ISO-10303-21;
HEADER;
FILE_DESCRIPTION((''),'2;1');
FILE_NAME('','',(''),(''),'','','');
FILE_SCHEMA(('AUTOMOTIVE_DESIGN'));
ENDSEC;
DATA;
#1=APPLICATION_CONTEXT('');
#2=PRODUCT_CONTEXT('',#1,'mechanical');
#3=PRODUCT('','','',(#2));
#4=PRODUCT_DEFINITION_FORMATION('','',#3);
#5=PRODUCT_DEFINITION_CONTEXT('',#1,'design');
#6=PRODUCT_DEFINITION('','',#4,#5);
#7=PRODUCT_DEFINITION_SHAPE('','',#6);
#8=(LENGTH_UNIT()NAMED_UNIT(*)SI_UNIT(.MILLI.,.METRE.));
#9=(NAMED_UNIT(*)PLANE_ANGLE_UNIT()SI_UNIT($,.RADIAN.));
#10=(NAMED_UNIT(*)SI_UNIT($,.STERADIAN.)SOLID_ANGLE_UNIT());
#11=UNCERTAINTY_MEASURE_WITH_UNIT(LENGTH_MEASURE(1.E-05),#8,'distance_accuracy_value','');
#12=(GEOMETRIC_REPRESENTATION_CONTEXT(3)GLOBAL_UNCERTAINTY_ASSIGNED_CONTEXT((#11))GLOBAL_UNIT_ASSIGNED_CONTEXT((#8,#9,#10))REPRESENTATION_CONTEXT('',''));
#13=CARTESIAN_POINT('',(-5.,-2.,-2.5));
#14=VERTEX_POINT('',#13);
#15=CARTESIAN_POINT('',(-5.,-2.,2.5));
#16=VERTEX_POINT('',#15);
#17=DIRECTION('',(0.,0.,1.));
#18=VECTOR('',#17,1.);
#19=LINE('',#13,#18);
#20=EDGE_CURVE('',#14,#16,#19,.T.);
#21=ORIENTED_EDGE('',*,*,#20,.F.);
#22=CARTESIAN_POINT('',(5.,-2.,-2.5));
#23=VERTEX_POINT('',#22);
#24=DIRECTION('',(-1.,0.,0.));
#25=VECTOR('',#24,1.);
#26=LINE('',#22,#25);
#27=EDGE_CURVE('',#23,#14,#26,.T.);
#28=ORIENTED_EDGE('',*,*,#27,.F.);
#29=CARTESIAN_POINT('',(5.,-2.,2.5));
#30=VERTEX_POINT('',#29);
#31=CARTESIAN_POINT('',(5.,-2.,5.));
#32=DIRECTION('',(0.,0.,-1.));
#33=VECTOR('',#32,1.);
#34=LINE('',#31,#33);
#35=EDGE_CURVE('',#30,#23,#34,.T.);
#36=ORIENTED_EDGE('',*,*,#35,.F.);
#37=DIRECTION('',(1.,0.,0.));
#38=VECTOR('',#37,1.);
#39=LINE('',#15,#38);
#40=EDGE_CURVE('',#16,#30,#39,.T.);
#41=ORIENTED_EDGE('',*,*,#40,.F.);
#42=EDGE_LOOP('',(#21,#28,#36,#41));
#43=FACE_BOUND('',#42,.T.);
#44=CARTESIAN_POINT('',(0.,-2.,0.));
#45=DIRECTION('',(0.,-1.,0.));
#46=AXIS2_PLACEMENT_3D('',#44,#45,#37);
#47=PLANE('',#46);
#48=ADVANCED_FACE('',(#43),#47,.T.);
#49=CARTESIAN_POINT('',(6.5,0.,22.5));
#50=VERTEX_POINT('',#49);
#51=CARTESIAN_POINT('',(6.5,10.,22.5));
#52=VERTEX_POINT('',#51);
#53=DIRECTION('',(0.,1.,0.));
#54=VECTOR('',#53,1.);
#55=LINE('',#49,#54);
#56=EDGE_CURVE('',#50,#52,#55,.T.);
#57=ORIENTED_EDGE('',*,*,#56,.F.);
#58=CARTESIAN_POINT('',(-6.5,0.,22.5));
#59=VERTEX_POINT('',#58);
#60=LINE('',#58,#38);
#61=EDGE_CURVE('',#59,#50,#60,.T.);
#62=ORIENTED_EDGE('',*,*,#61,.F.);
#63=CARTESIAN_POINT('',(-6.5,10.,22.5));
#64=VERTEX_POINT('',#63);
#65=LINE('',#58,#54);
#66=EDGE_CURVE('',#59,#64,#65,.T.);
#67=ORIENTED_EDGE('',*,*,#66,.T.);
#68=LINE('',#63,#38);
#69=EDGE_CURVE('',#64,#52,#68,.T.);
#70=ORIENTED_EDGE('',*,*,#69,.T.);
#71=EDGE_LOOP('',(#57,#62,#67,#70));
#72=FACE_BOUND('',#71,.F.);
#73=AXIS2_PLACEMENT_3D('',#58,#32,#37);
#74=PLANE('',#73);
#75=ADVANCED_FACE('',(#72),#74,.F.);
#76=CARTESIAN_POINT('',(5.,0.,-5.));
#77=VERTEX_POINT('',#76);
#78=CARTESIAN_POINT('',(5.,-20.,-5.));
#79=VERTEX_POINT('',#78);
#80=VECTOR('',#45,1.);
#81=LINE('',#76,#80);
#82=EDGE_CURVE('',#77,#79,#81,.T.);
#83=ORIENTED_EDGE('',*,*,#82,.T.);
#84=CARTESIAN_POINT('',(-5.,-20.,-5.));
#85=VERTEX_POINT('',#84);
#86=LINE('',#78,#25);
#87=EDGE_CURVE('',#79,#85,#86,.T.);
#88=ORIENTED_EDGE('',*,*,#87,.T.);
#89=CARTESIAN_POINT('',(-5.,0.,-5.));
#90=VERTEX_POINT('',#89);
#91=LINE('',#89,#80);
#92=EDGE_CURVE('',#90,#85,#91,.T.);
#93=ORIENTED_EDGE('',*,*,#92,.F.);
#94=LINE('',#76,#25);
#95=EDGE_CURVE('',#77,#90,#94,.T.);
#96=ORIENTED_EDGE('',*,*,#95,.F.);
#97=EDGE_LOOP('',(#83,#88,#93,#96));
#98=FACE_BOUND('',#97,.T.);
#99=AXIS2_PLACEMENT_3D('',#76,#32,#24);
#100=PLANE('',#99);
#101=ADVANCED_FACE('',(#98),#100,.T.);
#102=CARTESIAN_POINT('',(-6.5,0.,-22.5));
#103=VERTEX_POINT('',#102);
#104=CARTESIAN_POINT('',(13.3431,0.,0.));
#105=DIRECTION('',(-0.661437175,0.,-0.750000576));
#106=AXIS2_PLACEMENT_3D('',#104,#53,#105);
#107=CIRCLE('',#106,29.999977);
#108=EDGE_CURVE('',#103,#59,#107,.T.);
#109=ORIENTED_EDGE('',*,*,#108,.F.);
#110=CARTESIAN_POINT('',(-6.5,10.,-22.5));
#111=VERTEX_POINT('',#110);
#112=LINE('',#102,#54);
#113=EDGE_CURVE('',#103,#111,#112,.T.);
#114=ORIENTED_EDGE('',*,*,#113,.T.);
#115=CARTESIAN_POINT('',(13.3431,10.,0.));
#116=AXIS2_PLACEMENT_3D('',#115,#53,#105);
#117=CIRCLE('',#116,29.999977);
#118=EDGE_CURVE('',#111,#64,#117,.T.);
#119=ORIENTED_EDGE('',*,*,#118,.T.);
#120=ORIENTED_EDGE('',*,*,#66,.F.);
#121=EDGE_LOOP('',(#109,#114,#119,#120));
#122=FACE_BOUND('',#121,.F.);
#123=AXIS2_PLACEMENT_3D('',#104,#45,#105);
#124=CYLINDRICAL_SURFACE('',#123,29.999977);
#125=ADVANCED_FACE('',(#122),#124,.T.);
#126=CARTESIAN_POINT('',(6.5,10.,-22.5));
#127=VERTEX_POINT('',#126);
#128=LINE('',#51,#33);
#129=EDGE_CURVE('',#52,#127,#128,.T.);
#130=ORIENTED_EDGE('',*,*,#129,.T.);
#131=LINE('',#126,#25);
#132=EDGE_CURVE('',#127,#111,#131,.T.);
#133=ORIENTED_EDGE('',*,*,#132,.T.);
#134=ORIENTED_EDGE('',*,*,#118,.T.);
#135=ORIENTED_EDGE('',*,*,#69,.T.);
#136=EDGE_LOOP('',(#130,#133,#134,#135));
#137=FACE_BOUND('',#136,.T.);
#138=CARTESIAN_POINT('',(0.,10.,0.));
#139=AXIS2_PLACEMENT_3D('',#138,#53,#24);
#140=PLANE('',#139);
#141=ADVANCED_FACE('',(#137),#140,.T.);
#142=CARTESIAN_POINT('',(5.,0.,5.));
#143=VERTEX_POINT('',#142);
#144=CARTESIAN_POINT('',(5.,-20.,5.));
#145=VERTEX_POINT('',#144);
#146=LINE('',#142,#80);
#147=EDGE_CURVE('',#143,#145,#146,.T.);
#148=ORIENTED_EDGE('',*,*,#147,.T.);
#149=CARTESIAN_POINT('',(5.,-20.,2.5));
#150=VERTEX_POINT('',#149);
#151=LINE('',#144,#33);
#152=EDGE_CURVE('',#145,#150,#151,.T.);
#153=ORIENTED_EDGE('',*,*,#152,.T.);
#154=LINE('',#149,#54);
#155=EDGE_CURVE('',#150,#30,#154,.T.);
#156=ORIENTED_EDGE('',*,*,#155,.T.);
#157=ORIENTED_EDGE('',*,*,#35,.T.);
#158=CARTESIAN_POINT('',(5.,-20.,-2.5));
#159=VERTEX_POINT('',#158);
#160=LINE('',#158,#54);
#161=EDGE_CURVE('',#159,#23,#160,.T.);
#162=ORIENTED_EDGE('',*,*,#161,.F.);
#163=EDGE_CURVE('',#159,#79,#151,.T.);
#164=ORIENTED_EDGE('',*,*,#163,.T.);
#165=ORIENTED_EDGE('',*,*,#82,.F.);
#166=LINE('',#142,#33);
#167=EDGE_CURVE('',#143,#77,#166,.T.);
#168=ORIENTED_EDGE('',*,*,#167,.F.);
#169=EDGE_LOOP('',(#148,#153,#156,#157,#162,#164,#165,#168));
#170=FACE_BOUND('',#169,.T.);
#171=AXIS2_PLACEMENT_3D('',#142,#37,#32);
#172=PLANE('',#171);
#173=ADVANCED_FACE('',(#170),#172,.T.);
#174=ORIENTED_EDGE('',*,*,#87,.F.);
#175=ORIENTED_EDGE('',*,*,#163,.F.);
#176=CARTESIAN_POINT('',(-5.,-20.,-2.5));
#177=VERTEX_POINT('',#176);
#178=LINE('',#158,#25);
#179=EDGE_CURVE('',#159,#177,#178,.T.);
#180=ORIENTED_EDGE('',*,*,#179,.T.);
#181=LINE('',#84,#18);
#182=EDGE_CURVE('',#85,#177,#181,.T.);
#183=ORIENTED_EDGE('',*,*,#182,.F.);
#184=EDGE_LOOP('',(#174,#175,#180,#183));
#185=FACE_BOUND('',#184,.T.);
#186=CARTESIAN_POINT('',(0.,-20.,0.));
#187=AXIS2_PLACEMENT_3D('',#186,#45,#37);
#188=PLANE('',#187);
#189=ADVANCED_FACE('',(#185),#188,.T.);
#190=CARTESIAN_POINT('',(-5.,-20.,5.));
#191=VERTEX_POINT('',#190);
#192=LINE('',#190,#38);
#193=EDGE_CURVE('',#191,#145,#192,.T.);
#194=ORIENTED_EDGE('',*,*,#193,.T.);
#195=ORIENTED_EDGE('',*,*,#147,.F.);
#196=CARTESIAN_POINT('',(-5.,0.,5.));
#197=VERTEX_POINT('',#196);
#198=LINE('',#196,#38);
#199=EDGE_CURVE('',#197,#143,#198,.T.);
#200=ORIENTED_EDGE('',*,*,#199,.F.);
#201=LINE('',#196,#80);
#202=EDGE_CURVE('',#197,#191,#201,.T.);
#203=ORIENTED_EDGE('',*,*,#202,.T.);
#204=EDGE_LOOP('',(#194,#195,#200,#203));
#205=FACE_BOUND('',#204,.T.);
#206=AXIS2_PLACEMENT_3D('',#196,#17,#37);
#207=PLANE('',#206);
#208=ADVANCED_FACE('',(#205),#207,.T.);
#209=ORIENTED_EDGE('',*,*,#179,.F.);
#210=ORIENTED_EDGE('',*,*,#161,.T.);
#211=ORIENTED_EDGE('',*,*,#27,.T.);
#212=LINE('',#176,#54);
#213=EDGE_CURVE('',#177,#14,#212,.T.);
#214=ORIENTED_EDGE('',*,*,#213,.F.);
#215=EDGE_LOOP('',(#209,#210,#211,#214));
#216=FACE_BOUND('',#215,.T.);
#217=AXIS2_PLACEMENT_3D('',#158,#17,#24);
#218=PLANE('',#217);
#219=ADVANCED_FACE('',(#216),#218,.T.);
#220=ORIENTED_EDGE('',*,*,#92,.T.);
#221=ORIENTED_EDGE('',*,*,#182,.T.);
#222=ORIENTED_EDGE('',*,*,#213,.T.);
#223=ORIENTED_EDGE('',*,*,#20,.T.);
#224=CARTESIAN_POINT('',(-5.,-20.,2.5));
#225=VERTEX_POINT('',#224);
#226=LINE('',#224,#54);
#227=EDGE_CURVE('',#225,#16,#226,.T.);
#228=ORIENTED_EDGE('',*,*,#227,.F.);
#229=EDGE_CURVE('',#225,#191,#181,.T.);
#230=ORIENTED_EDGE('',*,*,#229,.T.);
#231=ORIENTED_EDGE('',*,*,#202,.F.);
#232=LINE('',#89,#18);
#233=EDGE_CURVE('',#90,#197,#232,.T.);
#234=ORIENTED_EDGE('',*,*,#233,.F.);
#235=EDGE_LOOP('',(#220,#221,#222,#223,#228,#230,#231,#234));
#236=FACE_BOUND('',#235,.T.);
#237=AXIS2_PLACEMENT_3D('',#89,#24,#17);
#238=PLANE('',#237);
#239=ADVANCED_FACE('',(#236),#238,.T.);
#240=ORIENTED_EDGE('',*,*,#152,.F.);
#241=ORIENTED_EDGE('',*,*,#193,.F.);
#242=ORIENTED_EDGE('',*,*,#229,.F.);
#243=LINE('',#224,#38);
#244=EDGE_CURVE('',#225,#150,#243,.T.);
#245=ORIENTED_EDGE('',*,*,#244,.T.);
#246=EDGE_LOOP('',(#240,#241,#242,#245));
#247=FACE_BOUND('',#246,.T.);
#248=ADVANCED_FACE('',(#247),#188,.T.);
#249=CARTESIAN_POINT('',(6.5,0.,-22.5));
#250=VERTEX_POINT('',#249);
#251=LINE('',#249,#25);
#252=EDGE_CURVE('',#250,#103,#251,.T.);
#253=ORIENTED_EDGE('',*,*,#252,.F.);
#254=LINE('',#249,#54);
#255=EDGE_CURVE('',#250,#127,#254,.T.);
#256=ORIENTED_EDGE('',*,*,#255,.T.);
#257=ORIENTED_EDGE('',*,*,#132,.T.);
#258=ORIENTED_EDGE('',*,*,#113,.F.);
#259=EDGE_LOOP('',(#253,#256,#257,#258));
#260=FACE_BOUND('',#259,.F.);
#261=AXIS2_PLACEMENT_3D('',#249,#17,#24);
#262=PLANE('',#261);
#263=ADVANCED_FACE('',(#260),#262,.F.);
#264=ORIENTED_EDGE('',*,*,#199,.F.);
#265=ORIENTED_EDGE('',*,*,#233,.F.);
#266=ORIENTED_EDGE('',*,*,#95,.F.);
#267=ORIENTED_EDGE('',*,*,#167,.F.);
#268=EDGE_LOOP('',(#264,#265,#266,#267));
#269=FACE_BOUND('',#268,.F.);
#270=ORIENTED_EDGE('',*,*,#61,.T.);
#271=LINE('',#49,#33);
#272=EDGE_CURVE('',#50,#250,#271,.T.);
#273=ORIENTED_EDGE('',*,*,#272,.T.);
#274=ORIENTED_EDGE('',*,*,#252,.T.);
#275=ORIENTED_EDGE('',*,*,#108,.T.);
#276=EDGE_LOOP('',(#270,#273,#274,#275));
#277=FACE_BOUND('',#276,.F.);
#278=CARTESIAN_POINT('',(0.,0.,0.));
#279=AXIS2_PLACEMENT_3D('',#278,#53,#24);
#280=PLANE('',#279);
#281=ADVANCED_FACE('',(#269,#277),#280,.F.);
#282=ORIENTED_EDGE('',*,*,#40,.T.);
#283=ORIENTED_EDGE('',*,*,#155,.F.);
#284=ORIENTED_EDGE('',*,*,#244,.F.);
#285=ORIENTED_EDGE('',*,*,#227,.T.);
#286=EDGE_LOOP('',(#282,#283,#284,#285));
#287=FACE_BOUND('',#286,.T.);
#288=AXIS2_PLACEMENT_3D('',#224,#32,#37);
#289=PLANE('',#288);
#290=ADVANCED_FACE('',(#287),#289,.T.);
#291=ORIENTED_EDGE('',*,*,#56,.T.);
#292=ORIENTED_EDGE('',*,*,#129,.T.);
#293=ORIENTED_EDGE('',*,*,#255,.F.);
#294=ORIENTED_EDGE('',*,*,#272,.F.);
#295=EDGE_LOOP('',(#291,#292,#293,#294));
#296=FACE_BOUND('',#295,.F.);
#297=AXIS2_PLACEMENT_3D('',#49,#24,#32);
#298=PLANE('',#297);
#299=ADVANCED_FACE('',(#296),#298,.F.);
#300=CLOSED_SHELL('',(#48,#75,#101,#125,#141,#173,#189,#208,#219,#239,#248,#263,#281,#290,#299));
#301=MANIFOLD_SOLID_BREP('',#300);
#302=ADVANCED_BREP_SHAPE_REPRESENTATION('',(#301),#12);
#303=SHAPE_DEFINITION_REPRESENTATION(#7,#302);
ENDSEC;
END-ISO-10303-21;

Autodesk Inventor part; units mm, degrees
ref_plane "YZ Plane" through (0, 0, 0) normal (1, 0, 0) x (0, 1, 0)
ref_plane "XZ Plane" through (0, 0, 0) normal (0, 1, 0) x (-1, 0, 0)
ref_plane "XY Plane" through (0, 0, 0) normal (0, 0, 1) x (1, 0, 0)
sketch "Sketch1" plane through (0, 0, 0) normal (0, 1, 0) x (-1, 0, 0)
  line L0 (-5, 5) -> (5, 5) construction
  line L1 (5, 5) -> (5, -5) construction
  line L2 (5, -5) -> (-5, -5) construction
  line L3 (-5, -5) -> (-5, 5) construction
  line L4 (-5, 5) -> (5, -5) construction
  line L5 (5, 5) -> (-5, -5) construction
  line L6 (6.5, 22.5) -> (-6.5, 22.5)
  line L7 (-6.5, 22.5) -> (-6.5, -22.5)
  line L8 (-6.5, -22.5) -> (6.5, -22.5)
  line L9 (6.5, 22.5) -> (-6.5, -22.5) construction
  line L10 (-6.5, 22.5) -> (6.5, -22.5) construction
  arc A0 (6.5, -22.5) -> (6.5, 22.5) centre (-13.3431, 0) ccw
  point P0 (0, 0)
  dimension "d0" = 10
  dimension "d1" = 10
  dimension "d2" = 13
  dimension "d3" = 45
  dimension "d4" = 30
extrude "Extrusion1" add sketch "Sketch1" along normal blind 10
sketch "Sketch2" plane through (0, 0, 0) normal (0, -1, 0) x (1, 0, 0)
  line L0 (-5, 5) -> (5, 5)
  line L1 (5, 5) -> (5, -5)
  line L2 (5, -5) -> (-5, -5)
  line L3 (-5, -5) -> (-5, 5)
  line L4 (-5, 5) -> (5, -5) construction
  line L5 (5, 5) -> (-5, -5) construction
  point P0 (0, 0)
  dimension "d7" = 10
  dimension "d8" = 10
extrude "Extrusion2" add sketch "Sketch2" along normal blind 20
sketch "Sketch4" plane through (0, -20, 0) normal (0, -1, 0) x (1, 0, 0)
  line L0 (5, 5) -> (5, -5) projected
  line L1 (-5, 2.5) -> (5, 2.5)
  line L2 (5, 2.5) -> (5, -2.5)
  line L3 (5, -2.5) -> (-5, -2.5)
  line L4 (-5, -2.5) -> (-5, 2.5)
  line L5 (-5, 2.5) -> (5, -2.5) construction
  line L6 (5, 2.5) -> (-5, -2.5) construction
  line L7 (5, 5) -> (-5, 5) projected
  line L8 (-5, 5) -> (-5, -5) projected
  point P0 (0, 0)
  point P1 (5, 0)
  dimension "d11" = 5
  dimension "d14" = 10
extrude "Extrusion3" cut sketch "Sketch4" against normal blind 18 contours L0 L3 L4 L1
properties part number "holder_for_wire"
